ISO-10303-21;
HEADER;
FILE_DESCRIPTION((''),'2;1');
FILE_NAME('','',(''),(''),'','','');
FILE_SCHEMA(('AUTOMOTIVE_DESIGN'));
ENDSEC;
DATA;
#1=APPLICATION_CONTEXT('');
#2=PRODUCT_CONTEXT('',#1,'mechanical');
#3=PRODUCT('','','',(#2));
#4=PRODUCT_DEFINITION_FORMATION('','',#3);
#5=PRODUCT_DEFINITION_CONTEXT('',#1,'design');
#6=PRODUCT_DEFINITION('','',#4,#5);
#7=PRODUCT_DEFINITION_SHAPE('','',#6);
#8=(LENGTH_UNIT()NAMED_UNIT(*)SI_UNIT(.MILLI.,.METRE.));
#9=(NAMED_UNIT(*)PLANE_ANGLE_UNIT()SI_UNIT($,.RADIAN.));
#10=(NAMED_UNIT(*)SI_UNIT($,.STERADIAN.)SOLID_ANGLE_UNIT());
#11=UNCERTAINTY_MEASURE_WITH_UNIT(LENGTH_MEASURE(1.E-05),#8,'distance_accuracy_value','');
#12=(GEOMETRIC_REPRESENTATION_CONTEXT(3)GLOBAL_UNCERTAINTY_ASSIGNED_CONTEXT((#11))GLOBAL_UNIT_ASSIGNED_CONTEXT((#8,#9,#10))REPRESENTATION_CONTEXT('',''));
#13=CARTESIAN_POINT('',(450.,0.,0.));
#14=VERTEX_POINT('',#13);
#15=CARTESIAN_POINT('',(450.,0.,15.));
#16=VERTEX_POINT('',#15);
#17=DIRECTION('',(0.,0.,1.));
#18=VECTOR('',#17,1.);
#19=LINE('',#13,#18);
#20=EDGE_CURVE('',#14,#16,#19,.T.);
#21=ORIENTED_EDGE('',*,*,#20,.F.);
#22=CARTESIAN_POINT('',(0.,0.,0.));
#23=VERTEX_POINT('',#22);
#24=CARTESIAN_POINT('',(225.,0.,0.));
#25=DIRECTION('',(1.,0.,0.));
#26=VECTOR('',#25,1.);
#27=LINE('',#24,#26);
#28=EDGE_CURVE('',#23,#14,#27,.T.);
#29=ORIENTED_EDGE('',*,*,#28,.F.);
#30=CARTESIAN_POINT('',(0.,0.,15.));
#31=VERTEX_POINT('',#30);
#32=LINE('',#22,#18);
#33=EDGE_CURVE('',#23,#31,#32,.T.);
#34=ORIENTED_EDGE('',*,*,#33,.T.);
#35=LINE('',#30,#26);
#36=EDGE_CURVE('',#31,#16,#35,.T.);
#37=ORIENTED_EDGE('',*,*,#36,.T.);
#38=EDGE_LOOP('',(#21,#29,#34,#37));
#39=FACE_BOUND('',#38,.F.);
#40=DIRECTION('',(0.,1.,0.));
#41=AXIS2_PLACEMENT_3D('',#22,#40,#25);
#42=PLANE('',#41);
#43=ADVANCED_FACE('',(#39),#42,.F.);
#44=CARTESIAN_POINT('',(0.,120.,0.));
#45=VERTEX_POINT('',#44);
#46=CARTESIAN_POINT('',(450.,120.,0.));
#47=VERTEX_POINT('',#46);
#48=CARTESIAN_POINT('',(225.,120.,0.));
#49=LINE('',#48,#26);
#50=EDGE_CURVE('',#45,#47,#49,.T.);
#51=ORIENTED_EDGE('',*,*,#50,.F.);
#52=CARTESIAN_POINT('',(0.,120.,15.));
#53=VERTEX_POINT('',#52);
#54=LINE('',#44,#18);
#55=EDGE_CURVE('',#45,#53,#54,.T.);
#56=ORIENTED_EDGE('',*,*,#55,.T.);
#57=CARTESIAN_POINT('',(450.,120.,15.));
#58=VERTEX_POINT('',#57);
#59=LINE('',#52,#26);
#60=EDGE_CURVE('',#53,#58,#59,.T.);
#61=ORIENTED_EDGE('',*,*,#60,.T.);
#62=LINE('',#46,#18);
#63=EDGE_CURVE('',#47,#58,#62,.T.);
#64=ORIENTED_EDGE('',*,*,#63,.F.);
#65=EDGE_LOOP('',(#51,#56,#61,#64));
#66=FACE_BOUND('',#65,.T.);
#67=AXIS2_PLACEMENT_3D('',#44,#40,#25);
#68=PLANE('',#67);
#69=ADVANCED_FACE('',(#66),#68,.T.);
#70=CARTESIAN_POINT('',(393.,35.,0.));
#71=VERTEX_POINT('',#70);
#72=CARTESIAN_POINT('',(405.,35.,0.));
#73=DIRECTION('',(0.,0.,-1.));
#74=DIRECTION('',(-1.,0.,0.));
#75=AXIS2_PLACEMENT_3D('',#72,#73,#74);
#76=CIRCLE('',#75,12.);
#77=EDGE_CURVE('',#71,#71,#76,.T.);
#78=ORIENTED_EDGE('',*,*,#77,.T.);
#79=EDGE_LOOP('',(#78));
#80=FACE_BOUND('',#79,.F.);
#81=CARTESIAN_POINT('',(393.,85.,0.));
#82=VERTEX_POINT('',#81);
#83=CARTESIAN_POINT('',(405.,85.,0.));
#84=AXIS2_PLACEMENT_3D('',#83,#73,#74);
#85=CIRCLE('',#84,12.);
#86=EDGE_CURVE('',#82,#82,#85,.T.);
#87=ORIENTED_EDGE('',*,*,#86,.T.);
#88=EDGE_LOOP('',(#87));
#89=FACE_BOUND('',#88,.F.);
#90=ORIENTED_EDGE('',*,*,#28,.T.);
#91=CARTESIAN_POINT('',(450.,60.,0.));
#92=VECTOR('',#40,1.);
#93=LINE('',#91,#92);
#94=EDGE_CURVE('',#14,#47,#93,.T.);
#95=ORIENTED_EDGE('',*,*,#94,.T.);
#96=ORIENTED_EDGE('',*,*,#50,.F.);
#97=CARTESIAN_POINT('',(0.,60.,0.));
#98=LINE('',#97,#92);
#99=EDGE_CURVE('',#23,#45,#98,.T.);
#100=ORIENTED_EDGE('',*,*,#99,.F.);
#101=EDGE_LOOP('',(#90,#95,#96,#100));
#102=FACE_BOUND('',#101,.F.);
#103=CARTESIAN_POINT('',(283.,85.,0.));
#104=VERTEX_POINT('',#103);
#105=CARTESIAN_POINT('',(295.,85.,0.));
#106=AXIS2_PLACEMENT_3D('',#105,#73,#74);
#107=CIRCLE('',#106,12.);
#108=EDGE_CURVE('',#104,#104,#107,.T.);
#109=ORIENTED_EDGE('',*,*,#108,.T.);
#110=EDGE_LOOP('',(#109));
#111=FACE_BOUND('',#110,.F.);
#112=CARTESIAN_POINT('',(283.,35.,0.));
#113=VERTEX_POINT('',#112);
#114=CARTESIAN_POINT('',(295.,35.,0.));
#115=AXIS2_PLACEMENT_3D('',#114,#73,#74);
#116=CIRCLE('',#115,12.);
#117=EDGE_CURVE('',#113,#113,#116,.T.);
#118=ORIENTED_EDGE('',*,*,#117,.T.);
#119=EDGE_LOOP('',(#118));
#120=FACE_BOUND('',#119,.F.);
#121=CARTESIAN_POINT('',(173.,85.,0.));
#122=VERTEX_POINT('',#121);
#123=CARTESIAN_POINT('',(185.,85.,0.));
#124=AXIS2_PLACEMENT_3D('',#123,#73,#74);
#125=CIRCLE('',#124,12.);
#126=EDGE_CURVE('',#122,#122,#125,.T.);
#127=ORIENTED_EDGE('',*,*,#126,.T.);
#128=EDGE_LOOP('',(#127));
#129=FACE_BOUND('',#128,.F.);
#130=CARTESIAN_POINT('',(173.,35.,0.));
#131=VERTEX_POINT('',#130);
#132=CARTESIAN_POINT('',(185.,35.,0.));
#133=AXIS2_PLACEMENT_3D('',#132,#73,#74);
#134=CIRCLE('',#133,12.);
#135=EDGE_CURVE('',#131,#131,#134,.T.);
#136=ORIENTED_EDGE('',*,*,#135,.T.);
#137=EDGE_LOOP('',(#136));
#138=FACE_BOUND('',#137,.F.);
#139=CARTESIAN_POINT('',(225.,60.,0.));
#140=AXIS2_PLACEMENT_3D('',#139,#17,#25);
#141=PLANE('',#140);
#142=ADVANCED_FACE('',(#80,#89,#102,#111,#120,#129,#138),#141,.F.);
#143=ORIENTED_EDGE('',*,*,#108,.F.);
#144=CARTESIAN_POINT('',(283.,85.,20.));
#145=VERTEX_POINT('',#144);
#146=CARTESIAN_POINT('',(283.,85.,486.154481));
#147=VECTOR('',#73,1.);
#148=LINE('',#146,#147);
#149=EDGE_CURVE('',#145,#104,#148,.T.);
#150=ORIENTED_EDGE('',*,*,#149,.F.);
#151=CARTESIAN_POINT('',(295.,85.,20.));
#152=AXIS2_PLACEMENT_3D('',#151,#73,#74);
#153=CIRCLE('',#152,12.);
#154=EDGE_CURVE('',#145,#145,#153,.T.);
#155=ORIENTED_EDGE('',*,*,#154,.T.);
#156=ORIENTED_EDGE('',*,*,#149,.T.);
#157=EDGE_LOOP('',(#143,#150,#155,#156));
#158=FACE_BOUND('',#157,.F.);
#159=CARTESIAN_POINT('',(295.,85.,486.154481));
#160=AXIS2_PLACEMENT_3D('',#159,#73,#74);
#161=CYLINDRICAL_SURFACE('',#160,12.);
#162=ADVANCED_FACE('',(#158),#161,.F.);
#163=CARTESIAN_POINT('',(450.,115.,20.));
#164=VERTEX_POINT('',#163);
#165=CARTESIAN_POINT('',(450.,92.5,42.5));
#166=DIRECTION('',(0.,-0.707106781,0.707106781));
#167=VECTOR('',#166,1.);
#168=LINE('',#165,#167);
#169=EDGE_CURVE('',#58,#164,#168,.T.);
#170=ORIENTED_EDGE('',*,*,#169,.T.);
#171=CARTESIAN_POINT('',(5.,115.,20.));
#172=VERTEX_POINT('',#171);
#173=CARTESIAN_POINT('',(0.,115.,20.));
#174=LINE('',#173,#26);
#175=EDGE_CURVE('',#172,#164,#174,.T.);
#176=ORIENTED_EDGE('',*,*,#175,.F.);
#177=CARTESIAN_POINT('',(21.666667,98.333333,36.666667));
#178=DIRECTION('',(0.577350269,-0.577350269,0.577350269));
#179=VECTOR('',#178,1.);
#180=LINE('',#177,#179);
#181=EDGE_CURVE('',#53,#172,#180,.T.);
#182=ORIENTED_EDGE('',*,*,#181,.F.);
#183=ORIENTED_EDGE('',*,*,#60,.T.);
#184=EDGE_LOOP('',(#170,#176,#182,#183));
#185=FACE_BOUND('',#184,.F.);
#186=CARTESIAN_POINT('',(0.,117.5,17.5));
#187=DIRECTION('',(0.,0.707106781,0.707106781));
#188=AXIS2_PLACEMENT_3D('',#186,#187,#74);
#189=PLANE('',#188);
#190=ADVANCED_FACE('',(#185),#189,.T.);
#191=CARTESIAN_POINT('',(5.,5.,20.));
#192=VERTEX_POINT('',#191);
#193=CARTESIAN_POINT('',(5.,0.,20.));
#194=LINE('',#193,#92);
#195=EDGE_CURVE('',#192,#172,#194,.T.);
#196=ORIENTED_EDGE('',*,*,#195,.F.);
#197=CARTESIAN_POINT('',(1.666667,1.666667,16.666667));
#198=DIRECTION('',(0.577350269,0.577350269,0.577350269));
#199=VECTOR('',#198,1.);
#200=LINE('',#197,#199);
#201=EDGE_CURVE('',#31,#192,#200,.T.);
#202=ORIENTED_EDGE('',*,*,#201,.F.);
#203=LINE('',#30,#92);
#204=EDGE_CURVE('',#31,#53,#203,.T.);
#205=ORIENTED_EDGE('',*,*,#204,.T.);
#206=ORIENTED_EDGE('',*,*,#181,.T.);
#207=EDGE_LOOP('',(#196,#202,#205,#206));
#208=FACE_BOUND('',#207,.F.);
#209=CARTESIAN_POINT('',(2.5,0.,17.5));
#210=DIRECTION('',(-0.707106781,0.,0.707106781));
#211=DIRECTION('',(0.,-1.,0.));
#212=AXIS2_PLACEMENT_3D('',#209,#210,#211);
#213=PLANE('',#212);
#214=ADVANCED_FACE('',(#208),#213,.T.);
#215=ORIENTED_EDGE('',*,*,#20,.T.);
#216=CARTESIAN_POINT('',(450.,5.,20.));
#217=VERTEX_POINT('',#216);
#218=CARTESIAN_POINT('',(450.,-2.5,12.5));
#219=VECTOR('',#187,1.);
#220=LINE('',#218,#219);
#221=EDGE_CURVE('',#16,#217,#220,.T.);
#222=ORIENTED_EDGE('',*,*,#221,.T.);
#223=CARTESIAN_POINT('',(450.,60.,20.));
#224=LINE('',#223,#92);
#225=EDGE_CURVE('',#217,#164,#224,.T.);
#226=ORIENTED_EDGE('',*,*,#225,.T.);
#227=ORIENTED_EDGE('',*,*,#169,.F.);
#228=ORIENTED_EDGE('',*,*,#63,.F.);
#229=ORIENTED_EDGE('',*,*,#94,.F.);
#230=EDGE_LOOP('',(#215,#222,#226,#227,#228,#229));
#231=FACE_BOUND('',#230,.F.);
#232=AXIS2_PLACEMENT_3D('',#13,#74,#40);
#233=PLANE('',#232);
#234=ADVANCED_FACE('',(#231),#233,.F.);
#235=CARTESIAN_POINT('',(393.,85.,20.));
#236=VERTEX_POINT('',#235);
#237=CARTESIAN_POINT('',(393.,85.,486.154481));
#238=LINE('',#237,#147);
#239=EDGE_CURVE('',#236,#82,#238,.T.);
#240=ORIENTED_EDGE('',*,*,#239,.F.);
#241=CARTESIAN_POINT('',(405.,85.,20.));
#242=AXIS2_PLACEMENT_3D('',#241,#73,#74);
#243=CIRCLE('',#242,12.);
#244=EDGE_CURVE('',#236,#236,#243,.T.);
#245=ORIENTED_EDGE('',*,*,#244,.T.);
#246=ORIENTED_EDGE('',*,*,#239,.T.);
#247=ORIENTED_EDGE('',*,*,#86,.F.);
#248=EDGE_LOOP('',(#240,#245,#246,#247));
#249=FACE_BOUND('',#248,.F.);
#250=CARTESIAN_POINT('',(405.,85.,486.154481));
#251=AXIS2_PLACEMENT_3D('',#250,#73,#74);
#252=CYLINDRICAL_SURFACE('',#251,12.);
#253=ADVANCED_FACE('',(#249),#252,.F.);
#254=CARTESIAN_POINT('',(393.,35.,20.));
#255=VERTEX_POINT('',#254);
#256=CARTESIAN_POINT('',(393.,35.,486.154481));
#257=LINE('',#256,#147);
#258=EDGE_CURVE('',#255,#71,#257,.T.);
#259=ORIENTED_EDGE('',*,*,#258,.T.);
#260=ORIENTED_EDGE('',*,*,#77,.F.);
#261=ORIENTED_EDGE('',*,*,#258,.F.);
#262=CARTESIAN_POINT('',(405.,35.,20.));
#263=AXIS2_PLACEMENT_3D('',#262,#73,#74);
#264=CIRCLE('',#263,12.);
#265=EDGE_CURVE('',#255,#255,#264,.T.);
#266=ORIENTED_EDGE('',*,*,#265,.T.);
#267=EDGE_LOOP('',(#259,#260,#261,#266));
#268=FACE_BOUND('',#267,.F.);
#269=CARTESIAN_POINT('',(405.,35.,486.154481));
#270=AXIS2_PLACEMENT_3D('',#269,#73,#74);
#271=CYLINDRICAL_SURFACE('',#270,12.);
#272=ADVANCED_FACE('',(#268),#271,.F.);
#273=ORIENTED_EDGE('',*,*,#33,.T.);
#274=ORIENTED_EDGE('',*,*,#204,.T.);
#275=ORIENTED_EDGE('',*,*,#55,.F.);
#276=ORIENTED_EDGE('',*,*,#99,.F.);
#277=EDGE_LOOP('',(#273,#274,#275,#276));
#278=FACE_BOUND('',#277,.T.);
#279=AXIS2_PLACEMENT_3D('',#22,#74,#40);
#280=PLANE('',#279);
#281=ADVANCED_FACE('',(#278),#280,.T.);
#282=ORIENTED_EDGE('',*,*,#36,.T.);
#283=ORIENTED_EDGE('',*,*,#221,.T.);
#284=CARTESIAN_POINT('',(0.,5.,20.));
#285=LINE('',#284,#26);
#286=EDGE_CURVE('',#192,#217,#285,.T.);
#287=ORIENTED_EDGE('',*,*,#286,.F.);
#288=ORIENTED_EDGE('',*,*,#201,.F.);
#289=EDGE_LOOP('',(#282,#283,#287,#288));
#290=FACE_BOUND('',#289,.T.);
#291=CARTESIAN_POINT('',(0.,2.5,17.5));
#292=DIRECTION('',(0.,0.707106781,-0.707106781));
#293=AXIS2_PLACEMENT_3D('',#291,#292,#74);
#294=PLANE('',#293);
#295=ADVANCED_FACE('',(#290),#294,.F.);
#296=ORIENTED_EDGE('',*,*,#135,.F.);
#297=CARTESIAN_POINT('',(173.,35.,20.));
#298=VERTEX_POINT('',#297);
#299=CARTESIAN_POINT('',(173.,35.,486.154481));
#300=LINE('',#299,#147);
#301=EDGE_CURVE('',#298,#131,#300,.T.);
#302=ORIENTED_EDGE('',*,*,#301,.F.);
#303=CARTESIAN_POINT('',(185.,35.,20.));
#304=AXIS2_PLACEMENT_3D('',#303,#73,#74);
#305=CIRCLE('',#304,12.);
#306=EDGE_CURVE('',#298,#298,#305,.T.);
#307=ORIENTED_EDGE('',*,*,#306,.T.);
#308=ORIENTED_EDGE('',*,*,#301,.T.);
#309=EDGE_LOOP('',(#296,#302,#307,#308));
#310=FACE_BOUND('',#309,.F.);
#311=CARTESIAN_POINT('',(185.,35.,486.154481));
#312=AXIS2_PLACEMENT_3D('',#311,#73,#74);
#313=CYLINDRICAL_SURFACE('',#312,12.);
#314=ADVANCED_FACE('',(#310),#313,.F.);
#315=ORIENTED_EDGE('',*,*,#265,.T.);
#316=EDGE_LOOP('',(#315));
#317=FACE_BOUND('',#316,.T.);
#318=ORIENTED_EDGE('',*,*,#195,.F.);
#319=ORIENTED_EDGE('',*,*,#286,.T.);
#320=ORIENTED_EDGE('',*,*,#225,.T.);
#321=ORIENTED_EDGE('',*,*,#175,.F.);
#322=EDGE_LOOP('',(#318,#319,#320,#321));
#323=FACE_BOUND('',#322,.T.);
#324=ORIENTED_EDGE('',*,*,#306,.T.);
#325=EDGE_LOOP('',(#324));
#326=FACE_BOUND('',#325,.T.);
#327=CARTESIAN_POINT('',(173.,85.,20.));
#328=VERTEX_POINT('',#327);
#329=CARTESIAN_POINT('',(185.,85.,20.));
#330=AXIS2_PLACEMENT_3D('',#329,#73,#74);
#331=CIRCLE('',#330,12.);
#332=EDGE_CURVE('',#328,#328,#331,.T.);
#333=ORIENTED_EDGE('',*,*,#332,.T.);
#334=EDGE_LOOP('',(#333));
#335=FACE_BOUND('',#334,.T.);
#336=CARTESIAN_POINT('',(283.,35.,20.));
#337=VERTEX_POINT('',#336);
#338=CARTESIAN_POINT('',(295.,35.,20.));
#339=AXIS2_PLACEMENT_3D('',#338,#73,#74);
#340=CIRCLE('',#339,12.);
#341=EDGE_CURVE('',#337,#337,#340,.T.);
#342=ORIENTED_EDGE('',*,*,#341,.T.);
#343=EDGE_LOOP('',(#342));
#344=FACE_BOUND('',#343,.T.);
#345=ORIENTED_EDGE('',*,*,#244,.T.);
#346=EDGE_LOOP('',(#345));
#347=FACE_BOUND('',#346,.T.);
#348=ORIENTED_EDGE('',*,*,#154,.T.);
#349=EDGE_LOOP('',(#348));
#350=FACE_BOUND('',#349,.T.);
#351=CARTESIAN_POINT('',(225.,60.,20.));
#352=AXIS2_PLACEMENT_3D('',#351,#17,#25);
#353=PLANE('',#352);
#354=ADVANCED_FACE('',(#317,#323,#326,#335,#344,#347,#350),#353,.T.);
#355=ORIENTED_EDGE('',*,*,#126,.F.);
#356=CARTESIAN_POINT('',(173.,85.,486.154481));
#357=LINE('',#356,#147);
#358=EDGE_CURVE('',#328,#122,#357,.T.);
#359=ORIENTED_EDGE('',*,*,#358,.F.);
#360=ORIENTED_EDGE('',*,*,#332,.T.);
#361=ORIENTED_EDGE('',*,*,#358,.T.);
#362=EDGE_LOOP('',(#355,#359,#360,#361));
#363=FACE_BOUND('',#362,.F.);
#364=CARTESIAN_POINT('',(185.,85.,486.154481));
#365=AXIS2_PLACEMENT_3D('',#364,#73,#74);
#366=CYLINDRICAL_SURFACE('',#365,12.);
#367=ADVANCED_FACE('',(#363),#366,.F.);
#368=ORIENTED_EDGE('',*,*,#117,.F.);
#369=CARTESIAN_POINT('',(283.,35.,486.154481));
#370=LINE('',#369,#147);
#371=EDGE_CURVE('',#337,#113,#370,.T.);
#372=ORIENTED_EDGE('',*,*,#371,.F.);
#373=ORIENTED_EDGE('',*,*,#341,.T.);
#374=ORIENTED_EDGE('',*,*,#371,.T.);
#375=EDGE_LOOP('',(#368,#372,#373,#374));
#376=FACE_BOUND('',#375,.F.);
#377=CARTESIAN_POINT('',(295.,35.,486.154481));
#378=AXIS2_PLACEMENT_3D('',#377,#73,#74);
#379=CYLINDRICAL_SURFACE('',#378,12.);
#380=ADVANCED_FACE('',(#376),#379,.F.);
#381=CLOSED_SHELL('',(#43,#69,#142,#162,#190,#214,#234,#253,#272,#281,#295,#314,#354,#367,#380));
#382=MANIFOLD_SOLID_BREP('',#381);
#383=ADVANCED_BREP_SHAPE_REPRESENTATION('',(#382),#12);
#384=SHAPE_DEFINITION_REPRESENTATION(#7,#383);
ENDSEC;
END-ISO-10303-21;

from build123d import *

# Parameters (mm, degrees)
F0_W     = 450
F0_H     = 120
F1_DEPTH = 20
F3_D     = 24
F4_SIZE  = 5


with BuildPart() as f1:
    # F0 (on Top) → F1 (new body)
    with BuildSketch(Plane.XY):
        with Locations((225, 60)):
            Rectangle(F0_W, F0_H)
    extrude(amount=F1_DEPTH)

    # F3 (through all)
    with Locations(Plane.XY.offset(20)):
        with Locations((185, 85), (185, 35), (295, 85), (295, 35), (405, 85), (405, 35)):
            Hole(F3_D / 2)

    # F4
    f4_edges = [f1.edges().sort_by_distance(p)[0] for p in [
        (225, 120, 20),
        (225, 0, 20),
        (0, 60, 20),
    ]]
    chamfer(f4_edges, length=F4_SIZE)


solid = f1.part
